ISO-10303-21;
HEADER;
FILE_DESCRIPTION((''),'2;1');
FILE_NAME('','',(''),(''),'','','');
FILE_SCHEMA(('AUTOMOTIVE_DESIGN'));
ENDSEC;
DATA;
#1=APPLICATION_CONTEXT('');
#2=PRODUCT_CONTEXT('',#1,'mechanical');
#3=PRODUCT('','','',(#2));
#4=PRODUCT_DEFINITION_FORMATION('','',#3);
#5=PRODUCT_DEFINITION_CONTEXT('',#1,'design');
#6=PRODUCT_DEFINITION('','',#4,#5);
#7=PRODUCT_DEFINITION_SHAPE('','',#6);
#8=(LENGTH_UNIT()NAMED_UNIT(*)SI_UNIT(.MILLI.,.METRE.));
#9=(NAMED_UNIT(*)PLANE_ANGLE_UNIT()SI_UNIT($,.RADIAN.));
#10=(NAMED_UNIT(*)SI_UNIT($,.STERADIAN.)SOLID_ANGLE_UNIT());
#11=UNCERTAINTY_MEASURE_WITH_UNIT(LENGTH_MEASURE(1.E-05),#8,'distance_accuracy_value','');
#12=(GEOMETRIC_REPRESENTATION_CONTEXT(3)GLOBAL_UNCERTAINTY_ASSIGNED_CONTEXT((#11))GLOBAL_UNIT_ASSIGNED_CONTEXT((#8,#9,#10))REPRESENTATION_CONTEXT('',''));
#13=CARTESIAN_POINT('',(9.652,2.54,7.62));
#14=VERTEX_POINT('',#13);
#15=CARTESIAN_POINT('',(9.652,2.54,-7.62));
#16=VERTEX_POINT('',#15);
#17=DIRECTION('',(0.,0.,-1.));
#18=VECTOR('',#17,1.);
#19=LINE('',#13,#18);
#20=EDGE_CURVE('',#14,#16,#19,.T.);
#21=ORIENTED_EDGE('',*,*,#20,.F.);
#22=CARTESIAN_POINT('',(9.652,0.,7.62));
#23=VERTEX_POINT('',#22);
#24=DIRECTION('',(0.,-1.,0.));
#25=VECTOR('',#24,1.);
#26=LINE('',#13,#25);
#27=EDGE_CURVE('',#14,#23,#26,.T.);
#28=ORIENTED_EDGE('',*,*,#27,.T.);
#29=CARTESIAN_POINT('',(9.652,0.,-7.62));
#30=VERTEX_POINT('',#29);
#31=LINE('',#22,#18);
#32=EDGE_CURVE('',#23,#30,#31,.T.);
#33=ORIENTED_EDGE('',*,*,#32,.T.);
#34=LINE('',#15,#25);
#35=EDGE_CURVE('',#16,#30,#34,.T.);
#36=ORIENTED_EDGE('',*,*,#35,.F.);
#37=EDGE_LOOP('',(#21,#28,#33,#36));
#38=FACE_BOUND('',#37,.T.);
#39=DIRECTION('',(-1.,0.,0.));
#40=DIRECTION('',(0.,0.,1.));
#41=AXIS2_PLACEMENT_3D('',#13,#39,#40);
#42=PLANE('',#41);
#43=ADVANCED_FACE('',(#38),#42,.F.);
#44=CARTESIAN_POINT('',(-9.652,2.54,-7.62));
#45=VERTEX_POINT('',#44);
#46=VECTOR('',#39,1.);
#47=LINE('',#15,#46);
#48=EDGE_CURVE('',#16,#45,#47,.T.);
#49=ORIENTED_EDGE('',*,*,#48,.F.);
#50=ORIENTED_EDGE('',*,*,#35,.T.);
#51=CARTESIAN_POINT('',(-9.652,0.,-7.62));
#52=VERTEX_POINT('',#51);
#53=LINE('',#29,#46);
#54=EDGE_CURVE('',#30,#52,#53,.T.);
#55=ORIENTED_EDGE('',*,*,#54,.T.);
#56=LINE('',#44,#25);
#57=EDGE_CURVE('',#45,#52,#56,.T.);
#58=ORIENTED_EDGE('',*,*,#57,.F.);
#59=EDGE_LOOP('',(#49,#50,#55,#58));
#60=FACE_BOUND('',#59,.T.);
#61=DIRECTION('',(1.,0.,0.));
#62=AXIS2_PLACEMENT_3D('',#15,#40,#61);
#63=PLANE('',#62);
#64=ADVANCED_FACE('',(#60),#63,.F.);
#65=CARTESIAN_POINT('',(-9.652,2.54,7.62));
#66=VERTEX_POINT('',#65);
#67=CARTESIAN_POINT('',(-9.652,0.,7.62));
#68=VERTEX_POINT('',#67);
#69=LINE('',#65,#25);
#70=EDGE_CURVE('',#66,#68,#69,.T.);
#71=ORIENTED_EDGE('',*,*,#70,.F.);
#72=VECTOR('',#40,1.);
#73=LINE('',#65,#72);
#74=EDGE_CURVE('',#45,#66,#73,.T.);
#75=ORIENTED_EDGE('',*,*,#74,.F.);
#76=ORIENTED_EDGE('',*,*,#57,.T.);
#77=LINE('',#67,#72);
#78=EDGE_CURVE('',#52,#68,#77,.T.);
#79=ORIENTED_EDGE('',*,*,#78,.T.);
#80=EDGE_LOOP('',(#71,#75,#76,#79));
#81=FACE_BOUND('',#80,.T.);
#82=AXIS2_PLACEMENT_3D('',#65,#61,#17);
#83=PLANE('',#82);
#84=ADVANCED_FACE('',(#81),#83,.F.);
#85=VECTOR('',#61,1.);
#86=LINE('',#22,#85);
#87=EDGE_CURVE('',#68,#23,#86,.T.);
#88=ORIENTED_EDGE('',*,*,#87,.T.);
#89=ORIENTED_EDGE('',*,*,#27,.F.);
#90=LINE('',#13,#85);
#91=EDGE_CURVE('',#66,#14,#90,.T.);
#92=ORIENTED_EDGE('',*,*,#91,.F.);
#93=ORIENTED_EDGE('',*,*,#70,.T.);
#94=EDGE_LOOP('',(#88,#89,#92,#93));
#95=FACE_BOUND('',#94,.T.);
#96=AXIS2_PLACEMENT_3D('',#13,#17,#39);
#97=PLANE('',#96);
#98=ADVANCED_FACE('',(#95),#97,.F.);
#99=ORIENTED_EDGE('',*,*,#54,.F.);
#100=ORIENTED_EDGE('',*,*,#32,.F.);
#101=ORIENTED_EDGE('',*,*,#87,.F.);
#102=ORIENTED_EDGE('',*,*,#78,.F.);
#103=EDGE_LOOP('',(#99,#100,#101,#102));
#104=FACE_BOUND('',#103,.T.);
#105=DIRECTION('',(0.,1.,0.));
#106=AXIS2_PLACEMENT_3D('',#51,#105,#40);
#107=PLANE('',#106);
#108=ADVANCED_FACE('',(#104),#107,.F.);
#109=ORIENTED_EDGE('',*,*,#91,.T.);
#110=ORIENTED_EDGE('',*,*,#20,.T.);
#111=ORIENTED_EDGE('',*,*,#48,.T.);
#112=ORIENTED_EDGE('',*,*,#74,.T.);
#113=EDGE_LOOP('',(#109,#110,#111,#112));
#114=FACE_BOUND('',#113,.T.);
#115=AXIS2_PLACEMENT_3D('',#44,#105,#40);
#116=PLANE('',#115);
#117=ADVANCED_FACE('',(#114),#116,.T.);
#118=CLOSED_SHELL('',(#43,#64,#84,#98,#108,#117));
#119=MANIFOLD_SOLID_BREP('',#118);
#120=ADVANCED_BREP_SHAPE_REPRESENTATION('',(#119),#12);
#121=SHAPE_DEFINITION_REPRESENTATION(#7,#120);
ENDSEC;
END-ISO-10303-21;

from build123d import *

# Parameters (mm, degrees)
SKETCH1_W      = 19.304
SKETCH1_H      = 15.24
EXTRUDE1_DEPTH = 2.54


with BuildPart() as part:
    # Sketch1 → Extrude1 (new body)
    with BuildSketch(Plane(origin=(0, 0, 0), x_dir=(1, 0, 0), z_dir=(0, 1, 0))):
        Rectangle(SKETCH1_W, SKETCH1_H)
    extrude(amount=EXTRUDE1_DEPTH)


solid = part.part
